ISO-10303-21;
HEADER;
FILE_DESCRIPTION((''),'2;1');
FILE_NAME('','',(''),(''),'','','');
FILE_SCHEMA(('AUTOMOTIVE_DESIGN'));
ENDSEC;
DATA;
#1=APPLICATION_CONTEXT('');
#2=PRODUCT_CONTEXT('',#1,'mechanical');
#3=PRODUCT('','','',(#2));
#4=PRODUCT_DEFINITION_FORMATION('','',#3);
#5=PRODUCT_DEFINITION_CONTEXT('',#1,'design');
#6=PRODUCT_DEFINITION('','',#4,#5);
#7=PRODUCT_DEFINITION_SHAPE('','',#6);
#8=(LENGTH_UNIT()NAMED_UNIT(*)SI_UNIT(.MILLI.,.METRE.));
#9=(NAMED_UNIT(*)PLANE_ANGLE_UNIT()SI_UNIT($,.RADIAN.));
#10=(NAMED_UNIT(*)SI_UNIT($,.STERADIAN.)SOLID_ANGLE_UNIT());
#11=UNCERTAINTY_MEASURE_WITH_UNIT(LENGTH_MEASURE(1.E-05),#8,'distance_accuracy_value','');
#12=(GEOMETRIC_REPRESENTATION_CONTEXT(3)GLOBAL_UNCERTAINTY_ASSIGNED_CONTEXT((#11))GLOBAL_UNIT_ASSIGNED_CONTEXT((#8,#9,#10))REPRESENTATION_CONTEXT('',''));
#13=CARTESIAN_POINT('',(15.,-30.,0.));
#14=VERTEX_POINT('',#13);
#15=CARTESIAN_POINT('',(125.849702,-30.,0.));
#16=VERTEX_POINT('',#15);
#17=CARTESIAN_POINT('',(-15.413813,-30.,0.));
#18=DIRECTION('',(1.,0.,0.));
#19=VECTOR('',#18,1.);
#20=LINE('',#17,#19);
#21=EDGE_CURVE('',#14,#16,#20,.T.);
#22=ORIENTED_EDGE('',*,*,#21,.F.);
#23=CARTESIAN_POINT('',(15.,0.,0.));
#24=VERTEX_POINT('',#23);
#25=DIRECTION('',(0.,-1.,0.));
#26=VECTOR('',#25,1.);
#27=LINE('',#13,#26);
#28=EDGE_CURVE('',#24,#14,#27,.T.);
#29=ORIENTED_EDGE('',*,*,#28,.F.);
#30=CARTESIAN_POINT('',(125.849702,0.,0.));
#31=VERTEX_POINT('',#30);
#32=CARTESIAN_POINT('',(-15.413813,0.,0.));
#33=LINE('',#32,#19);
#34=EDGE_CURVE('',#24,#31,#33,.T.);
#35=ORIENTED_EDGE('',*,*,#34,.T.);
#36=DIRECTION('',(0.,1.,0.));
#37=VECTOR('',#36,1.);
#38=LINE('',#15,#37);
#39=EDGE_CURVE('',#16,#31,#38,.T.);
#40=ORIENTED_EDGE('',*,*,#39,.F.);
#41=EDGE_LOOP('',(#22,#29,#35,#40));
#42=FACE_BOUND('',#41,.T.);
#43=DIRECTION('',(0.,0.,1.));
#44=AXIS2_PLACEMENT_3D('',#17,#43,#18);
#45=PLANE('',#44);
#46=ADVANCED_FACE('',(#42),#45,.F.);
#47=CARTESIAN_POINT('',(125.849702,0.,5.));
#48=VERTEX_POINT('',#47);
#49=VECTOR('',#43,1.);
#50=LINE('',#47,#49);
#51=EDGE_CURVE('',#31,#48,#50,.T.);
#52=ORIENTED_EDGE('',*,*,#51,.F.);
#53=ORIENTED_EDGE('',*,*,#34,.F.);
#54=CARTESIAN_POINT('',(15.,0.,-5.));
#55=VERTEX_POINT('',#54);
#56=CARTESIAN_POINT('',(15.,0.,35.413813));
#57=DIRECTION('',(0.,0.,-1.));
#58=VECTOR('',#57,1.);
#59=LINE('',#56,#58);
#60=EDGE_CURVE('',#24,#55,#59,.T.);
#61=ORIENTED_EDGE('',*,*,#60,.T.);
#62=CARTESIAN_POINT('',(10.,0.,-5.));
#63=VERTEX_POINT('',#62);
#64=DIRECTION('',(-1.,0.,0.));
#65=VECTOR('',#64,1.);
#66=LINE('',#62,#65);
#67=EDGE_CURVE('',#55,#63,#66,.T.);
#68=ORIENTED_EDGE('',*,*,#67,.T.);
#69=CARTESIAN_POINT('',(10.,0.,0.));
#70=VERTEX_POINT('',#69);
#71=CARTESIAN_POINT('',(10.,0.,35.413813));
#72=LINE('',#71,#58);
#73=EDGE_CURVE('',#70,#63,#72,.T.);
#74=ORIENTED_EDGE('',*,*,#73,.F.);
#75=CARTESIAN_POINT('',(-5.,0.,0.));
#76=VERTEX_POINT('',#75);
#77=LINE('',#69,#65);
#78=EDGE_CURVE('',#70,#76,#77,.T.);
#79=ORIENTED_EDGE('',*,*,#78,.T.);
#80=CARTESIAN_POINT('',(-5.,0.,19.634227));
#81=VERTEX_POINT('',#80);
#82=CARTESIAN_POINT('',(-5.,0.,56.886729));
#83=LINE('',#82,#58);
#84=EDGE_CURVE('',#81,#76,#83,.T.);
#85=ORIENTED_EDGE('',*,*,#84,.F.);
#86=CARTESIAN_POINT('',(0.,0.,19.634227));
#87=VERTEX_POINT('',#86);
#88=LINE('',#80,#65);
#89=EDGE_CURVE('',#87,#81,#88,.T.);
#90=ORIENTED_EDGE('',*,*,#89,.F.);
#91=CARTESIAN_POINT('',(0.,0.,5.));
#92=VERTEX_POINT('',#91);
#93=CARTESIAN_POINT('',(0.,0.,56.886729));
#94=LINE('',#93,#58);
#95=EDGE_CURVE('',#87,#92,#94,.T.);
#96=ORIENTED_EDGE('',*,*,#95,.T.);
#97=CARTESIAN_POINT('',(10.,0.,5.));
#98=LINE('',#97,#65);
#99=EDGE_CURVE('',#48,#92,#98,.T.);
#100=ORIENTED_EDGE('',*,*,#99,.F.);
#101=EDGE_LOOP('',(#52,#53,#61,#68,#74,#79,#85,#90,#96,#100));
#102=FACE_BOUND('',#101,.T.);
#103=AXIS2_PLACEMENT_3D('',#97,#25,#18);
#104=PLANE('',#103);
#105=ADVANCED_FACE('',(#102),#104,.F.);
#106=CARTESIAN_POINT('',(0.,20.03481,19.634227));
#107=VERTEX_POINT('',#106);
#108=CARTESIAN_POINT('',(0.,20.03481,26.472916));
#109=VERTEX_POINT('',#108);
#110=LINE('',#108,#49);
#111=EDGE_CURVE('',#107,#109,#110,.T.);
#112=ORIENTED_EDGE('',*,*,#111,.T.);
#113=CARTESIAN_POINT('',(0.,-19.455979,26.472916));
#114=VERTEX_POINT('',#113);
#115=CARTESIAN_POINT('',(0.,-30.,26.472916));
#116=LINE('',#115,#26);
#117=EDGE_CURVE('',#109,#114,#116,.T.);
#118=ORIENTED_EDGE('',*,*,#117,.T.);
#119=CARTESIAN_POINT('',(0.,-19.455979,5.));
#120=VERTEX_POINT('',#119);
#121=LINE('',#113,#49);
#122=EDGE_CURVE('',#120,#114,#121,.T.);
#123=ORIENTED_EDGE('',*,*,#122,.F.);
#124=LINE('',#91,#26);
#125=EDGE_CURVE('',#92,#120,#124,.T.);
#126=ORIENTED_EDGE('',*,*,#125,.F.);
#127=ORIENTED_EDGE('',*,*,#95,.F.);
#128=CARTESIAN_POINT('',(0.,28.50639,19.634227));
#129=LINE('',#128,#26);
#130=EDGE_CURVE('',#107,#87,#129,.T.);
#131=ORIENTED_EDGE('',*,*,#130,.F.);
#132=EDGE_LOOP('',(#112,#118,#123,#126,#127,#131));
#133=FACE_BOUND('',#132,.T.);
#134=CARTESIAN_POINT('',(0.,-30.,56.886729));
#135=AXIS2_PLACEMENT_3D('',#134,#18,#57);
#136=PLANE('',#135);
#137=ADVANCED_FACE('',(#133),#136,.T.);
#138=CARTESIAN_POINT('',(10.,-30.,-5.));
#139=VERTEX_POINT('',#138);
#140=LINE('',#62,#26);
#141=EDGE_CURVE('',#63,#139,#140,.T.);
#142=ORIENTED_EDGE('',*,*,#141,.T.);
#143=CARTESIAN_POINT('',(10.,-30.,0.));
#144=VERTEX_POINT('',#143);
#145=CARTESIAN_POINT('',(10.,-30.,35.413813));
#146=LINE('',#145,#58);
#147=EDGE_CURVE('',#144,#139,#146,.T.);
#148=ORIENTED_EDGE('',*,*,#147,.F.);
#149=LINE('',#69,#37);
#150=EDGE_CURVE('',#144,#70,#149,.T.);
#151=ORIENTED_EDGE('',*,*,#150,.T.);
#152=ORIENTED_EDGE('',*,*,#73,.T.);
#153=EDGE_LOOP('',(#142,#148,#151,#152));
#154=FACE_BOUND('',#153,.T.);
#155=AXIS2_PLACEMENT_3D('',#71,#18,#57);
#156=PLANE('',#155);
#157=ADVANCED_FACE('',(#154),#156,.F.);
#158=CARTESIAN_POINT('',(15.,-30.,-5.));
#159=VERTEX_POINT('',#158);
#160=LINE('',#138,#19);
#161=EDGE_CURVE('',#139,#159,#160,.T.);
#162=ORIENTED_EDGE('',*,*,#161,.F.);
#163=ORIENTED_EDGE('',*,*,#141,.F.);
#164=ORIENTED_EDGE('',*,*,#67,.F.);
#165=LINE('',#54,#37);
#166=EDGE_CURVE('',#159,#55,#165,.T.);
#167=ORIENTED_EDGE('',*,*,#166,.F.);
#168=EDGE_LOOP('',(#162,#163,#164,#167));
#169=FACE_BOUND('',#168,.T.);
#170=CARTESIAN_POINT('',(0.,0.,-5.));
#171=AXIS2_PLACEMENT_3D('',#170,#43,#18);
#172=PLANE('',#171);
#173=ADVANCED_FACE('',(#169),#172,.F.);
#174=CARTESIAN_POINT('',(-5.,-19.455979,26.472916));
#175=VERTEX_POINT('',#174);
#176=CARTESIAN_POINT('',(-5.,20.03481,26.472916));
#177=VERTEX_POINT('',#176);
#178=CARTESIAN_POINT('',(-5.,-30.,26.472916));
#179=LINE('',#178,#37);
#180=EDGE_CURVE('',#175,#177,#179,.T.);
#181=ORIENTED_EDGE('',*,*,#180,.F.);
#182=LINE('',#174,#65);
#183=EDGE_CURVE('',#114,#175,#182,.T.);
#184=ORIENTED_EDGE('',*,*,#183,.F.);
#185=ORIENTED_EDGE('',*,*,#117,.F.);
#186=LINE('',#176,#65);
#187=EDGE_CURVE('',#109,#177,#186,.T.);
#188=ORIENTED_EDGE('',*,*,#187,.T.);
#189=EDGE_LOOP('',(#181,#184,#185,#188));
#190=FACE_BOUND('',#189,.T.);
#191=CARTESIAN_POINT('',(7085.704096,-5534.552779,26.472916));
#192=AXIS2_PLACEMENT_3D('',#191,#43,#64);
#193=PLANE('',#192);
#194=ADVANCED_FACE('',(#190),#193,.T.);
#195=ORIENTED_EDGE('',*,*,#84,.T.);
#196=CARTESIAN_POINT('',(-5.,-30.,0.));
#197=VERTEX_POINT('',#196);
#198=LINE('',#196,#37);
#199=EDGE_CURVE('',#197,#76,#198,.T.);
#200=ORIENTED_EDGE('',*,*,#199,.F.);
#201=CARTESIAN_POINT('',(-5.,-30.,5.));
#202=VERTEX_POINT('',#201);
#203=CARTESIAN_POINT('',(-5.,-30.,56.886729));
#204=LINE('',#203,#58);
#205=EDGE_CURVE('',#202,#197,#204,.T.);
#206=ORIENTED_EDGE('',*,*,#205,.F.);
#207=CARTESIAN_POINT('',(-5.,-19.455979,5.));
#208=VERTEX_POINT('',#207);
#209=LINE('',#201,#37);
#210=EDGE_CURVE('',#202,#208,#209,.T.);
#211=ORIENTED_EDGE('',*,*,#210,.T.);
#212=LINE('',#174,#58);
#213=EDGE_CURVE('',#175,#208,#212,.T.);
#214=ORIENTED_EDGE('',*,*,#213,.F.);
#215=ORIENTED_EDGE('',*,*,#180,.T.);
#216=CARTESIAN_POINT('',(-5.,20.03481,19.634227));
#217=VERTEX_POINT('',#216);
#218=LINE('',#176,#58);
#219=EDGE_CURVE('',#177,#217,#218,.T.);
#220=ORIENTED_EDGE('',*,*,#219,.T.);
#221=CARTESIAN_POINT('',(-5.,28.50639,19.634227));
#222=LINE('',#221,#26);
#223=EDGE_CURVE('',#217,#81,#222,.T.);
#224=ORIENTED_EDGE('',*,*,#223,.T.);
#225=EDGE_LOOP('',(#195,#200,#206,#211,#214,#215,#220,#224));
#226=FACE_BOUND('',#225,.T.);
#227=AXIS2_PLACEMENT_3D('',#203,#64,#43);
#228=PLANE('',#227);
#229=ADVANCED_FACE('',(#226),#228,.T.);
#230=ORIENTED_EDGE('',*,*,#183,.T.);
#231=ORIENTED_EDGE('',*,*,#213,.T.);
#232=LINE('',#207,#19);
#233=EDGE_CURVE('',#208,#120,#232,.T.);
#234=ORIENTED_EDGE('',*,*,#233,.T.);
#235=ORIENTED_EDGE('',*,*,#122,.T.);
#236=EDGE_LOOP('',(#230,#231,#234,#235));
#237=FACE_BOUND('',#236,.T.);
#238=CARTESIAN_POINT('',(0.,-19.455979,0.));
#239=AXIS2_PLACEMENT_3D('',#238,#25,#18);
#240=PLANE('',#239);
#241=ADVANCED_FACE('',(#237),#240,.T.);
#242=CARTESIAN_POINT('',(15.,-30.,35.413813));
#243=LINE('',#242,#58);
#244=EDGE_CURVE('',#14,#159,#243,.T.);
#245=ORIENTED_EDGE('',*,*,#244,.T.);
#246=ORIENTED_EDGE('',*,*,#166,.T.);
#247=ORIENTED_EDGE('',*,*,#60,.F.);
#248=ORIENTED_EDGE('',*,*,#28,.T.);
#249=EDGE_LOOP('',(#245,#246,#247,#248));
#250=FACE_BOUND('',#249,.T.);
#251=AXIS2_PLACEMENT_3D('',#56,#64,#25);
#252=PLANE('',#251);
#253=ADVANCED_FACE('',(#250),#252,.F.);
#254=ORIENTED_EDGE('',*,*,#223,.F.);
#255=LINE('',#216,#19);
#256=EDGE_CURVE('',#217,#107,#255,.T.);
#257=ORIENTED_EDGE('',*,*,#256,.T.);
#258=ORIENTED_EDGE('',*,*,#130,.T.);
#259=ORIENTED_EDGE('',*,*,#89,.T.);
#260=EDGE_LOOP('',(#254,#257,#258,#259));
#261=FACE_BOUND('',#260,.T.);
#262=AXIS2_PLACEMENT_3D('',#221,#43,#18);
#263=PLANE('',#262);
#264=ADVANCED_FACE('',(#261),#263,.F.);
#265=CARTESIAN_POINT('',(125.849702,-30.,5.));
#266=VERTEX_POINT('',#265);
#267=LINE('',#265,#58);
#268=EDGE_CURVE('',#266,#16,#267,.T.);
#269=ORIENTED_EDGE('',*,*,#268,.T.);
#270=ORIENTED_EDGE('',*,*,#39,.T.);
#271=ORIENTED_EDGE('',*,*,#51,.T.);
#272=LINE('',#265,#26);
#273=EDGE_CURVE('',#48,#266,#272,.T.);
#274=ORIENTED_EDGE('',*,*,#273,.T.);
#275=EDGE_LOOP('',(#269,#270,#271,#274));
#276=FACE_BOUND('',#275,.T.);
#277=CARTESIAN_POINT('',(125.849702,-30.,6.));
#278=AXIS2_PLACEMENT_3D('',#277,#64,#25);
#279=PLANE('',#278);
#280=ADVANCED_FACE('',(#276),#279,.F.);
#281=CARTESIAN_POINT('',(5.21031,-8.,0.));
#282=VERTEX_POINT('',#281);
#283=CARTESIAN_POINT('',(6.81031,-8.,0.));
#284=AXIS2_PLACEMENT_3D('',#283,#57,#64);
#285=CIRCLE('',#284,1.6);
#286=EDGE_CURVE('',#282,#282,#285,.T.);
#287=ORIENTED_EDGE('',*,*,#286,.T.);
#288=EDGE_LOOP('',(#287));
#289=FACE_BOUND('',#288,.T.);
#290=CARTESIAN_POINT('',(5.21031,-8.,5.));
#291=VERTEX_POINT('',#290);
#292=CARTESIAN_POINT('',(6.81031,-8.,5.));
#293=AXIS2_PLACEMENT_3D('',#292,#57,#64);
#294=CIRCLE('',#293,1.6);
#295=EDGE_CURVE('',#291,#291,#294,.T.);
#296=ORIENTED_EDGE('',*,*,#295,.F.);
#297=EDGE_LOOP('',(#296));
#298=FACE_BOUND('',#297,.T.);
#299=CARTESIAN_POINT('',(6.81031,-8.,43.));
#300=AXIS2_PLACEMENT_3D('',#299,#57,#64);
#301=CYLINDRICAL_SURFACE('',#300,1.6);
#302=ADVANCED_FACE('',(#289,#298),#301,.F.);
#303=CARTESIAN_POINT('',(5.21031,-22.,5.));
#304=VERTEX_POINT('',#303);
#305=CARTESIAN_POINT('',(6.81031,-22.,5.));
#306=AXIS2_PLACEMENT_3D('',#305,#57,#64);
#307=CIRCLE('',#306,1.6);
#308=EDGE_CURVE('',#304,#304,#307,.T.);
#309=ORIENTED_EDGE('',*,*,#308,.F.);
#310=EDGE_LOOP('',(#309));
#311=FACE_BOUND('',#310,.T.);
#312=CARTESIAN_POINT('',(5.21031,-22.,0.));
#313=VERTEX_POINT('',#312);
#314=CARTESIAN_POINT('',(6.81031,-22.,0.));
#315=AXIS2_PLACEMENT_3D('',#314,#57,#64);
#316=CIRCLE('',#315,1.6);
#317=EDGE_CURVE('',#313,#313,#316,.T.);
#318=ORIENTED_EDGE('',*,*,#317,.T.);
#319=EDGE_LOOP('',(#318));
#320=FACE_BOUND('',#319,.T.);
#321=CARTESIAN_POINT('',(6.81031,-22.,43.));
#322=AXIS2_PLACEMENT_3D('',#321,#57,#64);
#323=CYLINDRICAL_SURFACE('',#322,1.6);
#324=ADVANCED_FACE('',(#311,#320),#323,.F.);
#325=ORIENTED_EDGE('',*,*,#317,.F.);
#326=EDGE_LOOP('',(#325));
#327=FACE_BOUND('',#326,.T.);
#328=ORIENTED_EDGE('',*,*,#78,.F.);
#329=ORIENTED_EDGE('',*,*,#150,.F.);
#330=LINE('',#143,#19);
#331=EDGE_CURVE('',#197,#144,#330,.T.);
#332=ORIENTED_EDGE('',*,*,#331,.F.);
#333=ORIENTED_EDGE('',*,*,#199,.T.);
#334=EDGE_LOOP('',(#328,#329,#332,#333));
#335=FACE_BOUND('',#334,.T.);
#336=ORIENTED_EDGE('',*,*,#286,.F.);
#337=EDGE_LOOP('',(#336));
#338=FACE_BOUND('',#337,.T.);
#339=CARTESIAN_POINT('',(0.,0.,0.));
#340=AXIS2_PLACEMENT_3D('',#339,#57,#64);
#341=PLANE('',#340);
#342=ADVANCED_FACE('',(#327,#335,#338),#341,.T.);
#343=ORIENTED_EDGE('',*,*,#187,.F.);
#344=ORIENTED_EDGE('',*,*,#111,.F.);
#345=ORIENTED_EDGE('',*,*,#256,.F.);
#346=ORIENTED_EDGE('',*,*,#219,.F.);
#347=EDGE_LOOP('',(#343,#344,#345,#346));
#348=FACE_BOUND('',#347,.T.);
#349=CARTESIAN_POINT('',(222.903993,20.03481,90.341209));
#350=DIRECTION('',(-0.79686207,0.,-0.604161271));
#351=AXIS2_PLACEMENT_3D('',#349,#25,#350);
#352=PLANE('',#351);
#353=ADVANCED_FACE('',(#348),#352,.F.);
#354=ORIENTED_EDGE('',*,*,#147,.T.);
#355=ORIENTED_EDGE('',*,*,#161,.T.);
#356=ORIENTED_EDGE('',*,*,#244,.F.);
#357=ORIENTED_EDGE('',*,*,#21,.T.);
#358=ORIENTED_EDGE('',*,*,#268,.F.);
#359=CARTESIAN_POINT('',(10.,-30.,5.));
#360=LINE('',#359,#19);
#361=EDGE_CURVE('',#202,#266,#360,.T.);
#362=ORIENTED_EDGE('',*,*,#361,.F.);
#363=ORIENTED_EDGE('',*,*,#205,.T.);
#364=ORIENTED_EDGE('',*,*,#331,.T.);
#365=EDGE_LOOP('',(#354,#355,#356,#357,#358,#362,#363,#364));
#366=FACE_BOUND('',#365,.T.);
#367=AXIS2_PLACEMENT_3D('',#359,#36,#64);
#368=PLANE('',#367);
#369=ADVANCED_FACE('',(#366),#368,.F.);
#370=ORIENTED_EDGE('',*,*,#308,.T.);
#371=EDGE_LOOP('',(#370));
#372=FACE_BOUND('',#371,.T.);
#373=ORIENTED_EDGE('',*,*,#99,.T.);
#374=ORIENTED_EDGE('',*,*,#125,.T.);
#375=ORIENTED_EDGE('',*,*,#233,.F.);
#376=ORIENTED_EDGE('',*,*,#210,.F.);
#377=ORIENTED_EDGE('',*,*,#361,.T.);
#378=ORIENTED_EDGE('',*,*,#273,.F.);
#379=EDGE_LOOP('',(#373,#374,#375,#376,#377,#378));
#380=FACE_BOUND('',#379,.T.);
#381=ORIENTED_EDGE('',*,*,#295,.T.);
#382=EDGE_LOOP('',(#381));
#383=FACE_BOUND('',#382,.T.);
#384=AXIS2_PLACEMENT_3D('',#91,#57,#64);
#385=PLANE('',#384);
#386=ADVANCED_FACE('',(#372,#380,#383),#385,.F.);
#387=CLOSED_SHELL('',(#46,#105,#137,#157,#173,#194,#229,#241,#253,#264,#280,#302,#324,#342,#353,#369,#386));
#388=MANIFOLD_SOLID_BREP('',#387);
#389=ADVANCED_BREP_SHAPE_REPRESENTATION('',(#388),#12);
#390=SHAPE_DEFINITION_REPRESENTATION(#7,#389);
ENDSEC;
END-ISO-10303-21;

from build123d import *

# Parameters (mm, degrees)
SKETCH1_W                = 10
SKETCH1_H                = 30
BOSS_EXTRUDE1_DEPTH      = 5
SKETCH2_R                = 1.6
CUT_EXTRUDE2_DEPTH       = 43
SKETCH4_W                = 5
SKETCH4_H                = 30
BOSS_EXTRUDE2_DEPTH      = 5
BOSS_EXTRUDE2_DEPTH_BACK = 5
BOSS_EXTRUDE4_START      = -53
SKETCH6_W                = 5
SKETCH6_H                = 30
BOSS_EXTRUDE4_DEPTH      = 110.849702
SKETCH7_W                = 5
SKETCH7_H                = 30
BOSS_EXTRUDE5_DEPTH      = 26.472916
SKETCH8_W                = 5
SKETCH8_H                = 6.838689
BOSS_EXTRUDE6_DEPTH      = 20.03481
SKETCH9_W                = 5
SKETCH9_H                = 21.472916
CUT_EXTRUDE3_DEPTH       = 11.544021


with BuildPart() as part:
    # Sketch1 → Boss-Extrude1 (new body)
    with BuildSketch(Plane.XY):
        with Locations((5, -15)):
            Rectangle(SKETCH1_W, SKETCH1_H)
    extrude(amount=BOSS_EXTRUDE1_DEPTH)

    # Sketch2 → Cut-Extrude2 (cut)
    with BuildSketch(Plane(origin=(0, 0, 0), x_dir=(-1, 0, 0), z_dir=(0, 0, -1))):
        with Locations((-6.81031, -8)):
            Circle(SKETCH2_R)
        with Locations((-6.81031, -22)):
            Circle(SKETCH2_R)
    extrude(amount=-CUT_EXTRUDE2_DEPTH, mode=Mode.SUBTRACT)

    # Sketch4 → Boss-Extrude2 (add, two sides)
    with BuildSketch(Plane.XY) as boss_extrude2_sk:
        with Locations((12.5, -15)):
            Rectangle(SKETCH4_W, SKETCH4_H)
    extrude(amount=BOSS_EXTRUDE2_DEPTH)
    extrude(boss_extrude2_sk.sketch, amount=-BOSS_EXTRUDE2_DEPTH_BACK)

    # Sketch6 → Boss-Extrude4 (add)
    with BuildSketch(Plane.ZY.offset(-72.849702).offset(BOSS_EXTRUDE4_START)):
        with Locations((2.5, -15)):
            Rectangle(SKETCH6_W, SKETCH6_H)
    extrude(amount=BOSS_EXTRUDE4_DEPTH)

    # Sketch7 → Boss-Extrude5 (add)
    with BuildSketch(Plane(origin=(0, 0, 0), x_dir=(-1, 0, 0), z_dir=(0, 0, -1))):
        with Locations((2.5, -15)):
            Rectangle(SKETCH7_W, SKETCH7_H)
    extrude(amount=-BOSS_EXTRUDE5_DEPTH)

    # Sketch8 → Boss-Extrude6 (add)
    with BuildSketch(Plane(origin=(0, 0, 0), x_dir=(1, 0, 0), z_dir=(0, 1, 0))):
        with Locations((-2.5, -23.053571)):
            Rectangle(SKETCH8_W, SKETCH8_H)
    extrude(amount=BOSS_EXTRUDE6_DEPTH)

    # Sketch9 → Cut-Extrude3 (cut, through all)
    with BuildSketch(Plane.XZ.offset(19.455979)):
        with Locations((-2.5, 15.736458)):
            Rectangle(SKETCH9_W, SKETCH9_H)
    extrude(amount=CUT_EXTRUDE3_DEPTH, mode=Mode.SUBTRACT)


solid = part.part
